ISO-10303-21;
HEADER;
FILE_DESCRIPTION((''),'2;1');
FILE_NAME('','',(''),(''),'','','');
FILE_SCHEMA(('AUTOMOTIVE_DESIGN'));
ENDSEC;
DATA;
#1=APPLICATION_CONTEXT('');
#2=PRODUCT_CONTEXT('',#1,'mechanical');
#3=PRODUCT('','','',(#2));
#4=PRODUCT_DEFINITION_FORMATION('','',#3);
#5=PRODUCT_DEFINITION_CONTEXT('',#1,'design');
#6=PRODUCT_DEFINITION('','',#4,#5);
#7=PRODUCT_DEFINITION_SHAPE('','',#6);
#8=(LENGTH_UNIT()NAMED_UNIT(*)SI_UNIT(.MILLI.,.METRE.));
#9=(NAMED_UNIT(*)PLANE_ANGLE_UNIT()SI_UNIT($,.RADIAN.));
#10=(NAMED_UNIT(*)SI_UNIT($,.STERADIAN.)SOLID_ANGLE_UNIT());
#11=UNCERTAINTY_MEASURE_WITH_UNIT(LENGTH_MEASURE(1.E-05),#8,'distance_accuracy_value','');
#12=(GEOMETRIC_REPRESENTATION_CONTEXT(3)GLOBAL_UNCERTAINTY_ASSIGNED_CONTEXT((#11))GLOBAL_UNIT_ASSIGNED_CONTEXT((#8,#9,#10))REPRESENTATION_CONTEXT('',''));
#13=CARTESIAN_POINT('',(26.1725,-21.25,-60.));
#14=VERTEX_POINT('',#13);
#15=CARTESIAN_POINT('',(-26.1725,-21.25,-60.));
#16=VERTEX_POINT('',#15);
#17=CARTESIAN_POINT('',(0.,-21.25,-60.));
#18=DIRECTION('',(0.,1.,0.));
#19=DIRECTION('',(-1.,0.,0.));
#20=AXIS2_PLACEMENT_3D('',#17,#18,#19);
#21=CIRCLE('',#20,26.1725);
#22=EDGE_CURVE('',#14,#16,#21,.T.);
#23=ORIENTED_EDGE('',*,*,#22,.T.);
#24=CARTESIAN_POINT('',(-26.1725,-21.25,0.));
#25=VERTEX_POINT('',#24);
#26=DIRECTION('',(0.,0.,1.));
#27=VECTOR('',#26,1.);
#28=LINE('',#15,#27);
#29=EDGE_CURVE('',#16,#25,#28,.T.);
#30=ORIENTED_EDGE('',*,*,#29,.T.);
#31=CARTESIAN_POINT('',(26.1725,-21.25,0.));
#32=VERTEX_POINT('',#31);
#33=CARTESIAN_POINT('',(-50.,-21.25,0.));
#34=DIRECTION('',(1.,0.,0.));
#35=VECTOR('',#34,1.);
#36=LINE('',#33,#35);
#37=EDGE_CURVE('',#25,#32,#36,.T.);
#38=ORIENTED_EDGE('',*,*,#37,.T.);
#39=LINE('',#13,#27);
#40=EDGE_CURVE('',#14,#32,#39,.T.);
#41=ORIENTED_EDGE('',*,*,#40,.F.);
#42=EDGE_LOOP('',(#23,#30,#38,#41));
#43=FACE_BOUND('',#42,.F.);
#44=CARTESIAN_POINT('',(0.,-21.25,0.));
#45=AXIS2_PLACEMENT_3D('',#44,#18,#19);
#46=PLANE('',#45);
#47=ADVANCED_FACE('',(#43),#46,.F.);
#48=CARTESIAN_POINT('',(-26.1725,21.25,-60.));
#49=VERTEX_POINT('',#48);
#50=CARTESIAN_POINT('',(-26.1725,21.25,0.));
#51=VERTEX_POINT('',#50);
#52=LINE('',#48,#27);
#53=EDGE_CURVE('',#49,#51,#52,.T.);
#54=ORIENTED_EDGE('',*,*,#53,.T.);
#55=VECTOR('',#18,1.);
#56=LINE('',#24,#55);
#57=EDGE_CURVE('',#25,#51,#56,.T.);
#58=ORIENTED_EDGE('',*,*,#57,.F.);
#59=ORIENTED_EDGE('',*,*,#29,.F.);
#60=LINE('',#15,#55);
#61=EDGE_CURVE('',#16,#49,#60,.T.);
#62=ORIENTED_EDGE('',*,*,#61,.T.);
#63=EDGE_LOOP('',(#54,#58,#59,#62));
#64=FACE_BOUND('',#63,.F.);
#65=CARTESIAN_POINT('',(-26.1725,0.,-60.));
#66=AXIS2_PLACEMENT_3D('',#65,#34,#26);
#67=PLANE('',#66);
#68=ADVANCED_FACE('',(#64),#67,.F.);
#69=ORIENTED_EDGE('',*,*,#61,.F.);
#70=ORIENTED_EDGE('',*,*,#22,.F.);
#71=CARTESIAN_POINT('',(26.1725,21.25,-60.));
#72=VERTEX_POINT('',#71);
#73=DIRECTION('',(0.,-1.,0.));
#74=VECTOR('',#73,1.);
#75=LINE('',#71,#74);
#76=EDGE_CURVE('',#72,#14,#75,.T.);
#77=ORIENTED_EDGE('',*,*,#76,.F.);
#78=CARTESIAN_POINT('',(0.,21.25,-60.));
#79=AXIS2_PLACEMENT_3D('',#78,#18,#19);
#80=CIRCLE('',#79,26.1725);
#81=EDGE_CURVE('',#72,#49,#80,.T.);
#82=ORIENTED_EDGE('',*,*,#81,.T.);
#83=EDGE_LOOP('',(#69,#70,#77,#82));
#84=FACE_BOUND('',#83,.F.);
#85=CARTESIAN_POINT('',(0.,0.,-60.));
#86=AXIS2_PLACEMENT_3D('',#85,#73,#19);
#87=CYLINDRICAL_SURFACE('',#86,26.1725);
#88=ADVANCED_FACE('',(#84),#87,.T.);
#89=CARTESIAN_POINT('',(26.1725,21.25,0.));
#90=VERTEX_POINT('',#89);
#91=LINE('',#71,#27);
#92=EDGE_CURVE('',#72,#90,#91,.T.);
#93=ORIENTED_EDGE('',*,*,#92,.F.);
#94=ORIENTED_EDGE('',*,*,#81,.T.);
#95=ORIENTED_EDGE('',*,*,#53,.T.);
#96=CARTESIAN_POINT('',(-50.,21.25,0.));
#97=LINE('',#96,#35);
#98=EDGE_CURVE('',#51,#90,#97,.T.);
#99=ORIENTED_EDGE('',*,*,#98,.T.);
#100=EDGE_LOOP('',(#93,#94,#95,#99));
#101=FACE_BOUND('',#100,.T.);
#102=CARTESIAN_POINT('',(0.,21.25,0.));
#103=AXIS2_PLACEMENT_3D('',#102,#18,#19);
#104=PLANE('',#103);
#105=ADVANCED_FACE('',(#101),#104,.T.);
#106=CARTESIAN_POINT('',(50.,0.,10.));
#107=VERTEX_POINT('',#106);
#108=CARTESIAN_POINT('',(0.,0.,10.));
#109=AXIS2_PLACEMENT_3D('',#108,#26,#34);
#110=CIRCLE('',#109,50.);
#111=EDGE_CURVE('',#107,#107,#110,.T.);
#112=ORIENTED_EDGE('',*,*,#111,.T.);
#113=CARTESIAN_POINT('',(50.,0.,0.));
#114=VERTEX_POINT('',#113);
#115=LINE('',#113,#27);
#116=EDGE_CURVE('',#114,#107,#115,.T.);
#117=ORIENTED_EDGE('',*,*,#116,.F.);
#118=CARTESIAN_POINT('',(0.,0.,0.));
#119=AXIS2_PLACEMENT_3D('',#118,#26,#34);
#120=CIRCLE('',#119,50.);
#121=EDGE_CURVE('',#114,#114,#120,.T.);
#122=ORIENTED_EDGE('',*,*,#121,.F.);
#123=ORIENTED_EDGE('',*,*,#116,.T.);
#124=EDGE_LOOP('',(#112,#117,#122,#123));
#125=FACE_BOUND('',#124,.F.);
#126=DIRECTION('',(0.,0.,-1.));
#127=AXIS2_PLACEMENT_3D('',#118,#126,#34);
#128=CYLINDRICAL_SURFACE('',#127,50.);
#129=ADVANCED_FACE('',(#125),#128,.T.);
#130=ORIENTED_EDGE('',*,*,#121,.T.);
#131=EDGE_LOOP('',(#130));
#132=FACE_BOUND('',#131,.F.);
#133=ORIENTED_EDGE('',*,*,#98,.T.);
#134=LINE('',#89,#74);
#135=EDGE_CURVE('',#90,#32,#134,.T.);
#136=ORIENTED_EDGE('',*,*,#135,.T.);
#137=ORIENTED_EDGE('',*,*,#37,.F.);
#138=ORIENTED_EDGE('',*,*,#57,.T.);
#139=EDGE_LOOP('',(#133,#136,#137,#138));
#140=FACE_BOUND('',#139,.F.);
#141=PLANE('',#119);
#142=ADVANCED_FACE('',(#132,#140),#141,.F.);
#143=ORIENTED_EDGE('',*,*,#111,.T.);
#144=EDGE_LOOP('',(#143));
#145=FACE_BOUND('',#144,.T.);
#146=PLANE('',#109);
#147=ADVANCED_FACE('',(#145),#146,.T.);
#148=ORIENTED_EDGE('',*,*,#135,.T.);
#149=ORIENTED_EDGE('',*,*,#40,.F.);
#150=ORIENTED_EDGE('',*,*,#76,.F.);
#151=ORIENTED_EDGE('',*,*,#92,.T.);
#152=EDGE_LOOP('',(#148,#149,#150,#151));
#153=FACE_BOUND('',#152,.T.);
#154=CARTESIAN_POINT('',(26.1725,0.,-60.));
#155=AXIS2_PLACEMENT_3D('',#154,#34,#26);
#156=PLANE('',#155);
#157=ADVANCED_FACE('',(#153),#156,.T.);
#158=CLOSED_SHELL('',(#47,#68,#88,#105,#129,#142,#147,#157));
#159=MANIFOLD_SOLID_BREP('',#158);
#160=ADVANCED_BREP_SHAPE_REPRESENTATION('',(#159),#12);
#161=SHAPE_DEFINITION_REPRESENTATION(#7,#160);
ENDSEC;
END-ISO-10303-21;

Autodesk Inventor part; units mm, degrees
ref_plane "YZ Plane" through (0, 0, 0) normal (1, 0, 0) x (0, 1, 0)
ref_plane "XZ Plane" through (0, 0, 0) normal (0, 1, 0) x (-1, 0, 0)
ref_plane "XY Plane" through (0, 0, 0) normal (0, 0, 1) x (1, 0, 0)
sketch "Sketch1" plane through (0, 0, 0) normal (0, 0, 1) x (1, 0, 0)
  circle A0 centre (0, 0) radius 50
  dimension "d0" = 100
extrude "Extrusion1" add sketch "Sketch1" along normal blind 10
sketch "Sketch2" plane through (0, 0, 0) normal (0, 1, 0) x (-1, 0, 0)
  circle A0 centre (0, -60) radius 21
  line L0 (50, 0) -> (-50, 0) projected
  circle A1 centre (0, -60) radius 26.1725
  line L1 (-26.1725, -60) -> (-26.1725, 0)
  line L2 (26.1725, -60) -> (26.1725, 0)
  point P0 (0, 0)
  dimension "d3" = 42
  dimension "d10" = 5.1725
extrude "Extrusion3" add sketch "Sketch2" along normal mid plane 42.5 contours A0 | L2 A1 L1 L0 | A1
properties part number "bevestiging axis 2"
